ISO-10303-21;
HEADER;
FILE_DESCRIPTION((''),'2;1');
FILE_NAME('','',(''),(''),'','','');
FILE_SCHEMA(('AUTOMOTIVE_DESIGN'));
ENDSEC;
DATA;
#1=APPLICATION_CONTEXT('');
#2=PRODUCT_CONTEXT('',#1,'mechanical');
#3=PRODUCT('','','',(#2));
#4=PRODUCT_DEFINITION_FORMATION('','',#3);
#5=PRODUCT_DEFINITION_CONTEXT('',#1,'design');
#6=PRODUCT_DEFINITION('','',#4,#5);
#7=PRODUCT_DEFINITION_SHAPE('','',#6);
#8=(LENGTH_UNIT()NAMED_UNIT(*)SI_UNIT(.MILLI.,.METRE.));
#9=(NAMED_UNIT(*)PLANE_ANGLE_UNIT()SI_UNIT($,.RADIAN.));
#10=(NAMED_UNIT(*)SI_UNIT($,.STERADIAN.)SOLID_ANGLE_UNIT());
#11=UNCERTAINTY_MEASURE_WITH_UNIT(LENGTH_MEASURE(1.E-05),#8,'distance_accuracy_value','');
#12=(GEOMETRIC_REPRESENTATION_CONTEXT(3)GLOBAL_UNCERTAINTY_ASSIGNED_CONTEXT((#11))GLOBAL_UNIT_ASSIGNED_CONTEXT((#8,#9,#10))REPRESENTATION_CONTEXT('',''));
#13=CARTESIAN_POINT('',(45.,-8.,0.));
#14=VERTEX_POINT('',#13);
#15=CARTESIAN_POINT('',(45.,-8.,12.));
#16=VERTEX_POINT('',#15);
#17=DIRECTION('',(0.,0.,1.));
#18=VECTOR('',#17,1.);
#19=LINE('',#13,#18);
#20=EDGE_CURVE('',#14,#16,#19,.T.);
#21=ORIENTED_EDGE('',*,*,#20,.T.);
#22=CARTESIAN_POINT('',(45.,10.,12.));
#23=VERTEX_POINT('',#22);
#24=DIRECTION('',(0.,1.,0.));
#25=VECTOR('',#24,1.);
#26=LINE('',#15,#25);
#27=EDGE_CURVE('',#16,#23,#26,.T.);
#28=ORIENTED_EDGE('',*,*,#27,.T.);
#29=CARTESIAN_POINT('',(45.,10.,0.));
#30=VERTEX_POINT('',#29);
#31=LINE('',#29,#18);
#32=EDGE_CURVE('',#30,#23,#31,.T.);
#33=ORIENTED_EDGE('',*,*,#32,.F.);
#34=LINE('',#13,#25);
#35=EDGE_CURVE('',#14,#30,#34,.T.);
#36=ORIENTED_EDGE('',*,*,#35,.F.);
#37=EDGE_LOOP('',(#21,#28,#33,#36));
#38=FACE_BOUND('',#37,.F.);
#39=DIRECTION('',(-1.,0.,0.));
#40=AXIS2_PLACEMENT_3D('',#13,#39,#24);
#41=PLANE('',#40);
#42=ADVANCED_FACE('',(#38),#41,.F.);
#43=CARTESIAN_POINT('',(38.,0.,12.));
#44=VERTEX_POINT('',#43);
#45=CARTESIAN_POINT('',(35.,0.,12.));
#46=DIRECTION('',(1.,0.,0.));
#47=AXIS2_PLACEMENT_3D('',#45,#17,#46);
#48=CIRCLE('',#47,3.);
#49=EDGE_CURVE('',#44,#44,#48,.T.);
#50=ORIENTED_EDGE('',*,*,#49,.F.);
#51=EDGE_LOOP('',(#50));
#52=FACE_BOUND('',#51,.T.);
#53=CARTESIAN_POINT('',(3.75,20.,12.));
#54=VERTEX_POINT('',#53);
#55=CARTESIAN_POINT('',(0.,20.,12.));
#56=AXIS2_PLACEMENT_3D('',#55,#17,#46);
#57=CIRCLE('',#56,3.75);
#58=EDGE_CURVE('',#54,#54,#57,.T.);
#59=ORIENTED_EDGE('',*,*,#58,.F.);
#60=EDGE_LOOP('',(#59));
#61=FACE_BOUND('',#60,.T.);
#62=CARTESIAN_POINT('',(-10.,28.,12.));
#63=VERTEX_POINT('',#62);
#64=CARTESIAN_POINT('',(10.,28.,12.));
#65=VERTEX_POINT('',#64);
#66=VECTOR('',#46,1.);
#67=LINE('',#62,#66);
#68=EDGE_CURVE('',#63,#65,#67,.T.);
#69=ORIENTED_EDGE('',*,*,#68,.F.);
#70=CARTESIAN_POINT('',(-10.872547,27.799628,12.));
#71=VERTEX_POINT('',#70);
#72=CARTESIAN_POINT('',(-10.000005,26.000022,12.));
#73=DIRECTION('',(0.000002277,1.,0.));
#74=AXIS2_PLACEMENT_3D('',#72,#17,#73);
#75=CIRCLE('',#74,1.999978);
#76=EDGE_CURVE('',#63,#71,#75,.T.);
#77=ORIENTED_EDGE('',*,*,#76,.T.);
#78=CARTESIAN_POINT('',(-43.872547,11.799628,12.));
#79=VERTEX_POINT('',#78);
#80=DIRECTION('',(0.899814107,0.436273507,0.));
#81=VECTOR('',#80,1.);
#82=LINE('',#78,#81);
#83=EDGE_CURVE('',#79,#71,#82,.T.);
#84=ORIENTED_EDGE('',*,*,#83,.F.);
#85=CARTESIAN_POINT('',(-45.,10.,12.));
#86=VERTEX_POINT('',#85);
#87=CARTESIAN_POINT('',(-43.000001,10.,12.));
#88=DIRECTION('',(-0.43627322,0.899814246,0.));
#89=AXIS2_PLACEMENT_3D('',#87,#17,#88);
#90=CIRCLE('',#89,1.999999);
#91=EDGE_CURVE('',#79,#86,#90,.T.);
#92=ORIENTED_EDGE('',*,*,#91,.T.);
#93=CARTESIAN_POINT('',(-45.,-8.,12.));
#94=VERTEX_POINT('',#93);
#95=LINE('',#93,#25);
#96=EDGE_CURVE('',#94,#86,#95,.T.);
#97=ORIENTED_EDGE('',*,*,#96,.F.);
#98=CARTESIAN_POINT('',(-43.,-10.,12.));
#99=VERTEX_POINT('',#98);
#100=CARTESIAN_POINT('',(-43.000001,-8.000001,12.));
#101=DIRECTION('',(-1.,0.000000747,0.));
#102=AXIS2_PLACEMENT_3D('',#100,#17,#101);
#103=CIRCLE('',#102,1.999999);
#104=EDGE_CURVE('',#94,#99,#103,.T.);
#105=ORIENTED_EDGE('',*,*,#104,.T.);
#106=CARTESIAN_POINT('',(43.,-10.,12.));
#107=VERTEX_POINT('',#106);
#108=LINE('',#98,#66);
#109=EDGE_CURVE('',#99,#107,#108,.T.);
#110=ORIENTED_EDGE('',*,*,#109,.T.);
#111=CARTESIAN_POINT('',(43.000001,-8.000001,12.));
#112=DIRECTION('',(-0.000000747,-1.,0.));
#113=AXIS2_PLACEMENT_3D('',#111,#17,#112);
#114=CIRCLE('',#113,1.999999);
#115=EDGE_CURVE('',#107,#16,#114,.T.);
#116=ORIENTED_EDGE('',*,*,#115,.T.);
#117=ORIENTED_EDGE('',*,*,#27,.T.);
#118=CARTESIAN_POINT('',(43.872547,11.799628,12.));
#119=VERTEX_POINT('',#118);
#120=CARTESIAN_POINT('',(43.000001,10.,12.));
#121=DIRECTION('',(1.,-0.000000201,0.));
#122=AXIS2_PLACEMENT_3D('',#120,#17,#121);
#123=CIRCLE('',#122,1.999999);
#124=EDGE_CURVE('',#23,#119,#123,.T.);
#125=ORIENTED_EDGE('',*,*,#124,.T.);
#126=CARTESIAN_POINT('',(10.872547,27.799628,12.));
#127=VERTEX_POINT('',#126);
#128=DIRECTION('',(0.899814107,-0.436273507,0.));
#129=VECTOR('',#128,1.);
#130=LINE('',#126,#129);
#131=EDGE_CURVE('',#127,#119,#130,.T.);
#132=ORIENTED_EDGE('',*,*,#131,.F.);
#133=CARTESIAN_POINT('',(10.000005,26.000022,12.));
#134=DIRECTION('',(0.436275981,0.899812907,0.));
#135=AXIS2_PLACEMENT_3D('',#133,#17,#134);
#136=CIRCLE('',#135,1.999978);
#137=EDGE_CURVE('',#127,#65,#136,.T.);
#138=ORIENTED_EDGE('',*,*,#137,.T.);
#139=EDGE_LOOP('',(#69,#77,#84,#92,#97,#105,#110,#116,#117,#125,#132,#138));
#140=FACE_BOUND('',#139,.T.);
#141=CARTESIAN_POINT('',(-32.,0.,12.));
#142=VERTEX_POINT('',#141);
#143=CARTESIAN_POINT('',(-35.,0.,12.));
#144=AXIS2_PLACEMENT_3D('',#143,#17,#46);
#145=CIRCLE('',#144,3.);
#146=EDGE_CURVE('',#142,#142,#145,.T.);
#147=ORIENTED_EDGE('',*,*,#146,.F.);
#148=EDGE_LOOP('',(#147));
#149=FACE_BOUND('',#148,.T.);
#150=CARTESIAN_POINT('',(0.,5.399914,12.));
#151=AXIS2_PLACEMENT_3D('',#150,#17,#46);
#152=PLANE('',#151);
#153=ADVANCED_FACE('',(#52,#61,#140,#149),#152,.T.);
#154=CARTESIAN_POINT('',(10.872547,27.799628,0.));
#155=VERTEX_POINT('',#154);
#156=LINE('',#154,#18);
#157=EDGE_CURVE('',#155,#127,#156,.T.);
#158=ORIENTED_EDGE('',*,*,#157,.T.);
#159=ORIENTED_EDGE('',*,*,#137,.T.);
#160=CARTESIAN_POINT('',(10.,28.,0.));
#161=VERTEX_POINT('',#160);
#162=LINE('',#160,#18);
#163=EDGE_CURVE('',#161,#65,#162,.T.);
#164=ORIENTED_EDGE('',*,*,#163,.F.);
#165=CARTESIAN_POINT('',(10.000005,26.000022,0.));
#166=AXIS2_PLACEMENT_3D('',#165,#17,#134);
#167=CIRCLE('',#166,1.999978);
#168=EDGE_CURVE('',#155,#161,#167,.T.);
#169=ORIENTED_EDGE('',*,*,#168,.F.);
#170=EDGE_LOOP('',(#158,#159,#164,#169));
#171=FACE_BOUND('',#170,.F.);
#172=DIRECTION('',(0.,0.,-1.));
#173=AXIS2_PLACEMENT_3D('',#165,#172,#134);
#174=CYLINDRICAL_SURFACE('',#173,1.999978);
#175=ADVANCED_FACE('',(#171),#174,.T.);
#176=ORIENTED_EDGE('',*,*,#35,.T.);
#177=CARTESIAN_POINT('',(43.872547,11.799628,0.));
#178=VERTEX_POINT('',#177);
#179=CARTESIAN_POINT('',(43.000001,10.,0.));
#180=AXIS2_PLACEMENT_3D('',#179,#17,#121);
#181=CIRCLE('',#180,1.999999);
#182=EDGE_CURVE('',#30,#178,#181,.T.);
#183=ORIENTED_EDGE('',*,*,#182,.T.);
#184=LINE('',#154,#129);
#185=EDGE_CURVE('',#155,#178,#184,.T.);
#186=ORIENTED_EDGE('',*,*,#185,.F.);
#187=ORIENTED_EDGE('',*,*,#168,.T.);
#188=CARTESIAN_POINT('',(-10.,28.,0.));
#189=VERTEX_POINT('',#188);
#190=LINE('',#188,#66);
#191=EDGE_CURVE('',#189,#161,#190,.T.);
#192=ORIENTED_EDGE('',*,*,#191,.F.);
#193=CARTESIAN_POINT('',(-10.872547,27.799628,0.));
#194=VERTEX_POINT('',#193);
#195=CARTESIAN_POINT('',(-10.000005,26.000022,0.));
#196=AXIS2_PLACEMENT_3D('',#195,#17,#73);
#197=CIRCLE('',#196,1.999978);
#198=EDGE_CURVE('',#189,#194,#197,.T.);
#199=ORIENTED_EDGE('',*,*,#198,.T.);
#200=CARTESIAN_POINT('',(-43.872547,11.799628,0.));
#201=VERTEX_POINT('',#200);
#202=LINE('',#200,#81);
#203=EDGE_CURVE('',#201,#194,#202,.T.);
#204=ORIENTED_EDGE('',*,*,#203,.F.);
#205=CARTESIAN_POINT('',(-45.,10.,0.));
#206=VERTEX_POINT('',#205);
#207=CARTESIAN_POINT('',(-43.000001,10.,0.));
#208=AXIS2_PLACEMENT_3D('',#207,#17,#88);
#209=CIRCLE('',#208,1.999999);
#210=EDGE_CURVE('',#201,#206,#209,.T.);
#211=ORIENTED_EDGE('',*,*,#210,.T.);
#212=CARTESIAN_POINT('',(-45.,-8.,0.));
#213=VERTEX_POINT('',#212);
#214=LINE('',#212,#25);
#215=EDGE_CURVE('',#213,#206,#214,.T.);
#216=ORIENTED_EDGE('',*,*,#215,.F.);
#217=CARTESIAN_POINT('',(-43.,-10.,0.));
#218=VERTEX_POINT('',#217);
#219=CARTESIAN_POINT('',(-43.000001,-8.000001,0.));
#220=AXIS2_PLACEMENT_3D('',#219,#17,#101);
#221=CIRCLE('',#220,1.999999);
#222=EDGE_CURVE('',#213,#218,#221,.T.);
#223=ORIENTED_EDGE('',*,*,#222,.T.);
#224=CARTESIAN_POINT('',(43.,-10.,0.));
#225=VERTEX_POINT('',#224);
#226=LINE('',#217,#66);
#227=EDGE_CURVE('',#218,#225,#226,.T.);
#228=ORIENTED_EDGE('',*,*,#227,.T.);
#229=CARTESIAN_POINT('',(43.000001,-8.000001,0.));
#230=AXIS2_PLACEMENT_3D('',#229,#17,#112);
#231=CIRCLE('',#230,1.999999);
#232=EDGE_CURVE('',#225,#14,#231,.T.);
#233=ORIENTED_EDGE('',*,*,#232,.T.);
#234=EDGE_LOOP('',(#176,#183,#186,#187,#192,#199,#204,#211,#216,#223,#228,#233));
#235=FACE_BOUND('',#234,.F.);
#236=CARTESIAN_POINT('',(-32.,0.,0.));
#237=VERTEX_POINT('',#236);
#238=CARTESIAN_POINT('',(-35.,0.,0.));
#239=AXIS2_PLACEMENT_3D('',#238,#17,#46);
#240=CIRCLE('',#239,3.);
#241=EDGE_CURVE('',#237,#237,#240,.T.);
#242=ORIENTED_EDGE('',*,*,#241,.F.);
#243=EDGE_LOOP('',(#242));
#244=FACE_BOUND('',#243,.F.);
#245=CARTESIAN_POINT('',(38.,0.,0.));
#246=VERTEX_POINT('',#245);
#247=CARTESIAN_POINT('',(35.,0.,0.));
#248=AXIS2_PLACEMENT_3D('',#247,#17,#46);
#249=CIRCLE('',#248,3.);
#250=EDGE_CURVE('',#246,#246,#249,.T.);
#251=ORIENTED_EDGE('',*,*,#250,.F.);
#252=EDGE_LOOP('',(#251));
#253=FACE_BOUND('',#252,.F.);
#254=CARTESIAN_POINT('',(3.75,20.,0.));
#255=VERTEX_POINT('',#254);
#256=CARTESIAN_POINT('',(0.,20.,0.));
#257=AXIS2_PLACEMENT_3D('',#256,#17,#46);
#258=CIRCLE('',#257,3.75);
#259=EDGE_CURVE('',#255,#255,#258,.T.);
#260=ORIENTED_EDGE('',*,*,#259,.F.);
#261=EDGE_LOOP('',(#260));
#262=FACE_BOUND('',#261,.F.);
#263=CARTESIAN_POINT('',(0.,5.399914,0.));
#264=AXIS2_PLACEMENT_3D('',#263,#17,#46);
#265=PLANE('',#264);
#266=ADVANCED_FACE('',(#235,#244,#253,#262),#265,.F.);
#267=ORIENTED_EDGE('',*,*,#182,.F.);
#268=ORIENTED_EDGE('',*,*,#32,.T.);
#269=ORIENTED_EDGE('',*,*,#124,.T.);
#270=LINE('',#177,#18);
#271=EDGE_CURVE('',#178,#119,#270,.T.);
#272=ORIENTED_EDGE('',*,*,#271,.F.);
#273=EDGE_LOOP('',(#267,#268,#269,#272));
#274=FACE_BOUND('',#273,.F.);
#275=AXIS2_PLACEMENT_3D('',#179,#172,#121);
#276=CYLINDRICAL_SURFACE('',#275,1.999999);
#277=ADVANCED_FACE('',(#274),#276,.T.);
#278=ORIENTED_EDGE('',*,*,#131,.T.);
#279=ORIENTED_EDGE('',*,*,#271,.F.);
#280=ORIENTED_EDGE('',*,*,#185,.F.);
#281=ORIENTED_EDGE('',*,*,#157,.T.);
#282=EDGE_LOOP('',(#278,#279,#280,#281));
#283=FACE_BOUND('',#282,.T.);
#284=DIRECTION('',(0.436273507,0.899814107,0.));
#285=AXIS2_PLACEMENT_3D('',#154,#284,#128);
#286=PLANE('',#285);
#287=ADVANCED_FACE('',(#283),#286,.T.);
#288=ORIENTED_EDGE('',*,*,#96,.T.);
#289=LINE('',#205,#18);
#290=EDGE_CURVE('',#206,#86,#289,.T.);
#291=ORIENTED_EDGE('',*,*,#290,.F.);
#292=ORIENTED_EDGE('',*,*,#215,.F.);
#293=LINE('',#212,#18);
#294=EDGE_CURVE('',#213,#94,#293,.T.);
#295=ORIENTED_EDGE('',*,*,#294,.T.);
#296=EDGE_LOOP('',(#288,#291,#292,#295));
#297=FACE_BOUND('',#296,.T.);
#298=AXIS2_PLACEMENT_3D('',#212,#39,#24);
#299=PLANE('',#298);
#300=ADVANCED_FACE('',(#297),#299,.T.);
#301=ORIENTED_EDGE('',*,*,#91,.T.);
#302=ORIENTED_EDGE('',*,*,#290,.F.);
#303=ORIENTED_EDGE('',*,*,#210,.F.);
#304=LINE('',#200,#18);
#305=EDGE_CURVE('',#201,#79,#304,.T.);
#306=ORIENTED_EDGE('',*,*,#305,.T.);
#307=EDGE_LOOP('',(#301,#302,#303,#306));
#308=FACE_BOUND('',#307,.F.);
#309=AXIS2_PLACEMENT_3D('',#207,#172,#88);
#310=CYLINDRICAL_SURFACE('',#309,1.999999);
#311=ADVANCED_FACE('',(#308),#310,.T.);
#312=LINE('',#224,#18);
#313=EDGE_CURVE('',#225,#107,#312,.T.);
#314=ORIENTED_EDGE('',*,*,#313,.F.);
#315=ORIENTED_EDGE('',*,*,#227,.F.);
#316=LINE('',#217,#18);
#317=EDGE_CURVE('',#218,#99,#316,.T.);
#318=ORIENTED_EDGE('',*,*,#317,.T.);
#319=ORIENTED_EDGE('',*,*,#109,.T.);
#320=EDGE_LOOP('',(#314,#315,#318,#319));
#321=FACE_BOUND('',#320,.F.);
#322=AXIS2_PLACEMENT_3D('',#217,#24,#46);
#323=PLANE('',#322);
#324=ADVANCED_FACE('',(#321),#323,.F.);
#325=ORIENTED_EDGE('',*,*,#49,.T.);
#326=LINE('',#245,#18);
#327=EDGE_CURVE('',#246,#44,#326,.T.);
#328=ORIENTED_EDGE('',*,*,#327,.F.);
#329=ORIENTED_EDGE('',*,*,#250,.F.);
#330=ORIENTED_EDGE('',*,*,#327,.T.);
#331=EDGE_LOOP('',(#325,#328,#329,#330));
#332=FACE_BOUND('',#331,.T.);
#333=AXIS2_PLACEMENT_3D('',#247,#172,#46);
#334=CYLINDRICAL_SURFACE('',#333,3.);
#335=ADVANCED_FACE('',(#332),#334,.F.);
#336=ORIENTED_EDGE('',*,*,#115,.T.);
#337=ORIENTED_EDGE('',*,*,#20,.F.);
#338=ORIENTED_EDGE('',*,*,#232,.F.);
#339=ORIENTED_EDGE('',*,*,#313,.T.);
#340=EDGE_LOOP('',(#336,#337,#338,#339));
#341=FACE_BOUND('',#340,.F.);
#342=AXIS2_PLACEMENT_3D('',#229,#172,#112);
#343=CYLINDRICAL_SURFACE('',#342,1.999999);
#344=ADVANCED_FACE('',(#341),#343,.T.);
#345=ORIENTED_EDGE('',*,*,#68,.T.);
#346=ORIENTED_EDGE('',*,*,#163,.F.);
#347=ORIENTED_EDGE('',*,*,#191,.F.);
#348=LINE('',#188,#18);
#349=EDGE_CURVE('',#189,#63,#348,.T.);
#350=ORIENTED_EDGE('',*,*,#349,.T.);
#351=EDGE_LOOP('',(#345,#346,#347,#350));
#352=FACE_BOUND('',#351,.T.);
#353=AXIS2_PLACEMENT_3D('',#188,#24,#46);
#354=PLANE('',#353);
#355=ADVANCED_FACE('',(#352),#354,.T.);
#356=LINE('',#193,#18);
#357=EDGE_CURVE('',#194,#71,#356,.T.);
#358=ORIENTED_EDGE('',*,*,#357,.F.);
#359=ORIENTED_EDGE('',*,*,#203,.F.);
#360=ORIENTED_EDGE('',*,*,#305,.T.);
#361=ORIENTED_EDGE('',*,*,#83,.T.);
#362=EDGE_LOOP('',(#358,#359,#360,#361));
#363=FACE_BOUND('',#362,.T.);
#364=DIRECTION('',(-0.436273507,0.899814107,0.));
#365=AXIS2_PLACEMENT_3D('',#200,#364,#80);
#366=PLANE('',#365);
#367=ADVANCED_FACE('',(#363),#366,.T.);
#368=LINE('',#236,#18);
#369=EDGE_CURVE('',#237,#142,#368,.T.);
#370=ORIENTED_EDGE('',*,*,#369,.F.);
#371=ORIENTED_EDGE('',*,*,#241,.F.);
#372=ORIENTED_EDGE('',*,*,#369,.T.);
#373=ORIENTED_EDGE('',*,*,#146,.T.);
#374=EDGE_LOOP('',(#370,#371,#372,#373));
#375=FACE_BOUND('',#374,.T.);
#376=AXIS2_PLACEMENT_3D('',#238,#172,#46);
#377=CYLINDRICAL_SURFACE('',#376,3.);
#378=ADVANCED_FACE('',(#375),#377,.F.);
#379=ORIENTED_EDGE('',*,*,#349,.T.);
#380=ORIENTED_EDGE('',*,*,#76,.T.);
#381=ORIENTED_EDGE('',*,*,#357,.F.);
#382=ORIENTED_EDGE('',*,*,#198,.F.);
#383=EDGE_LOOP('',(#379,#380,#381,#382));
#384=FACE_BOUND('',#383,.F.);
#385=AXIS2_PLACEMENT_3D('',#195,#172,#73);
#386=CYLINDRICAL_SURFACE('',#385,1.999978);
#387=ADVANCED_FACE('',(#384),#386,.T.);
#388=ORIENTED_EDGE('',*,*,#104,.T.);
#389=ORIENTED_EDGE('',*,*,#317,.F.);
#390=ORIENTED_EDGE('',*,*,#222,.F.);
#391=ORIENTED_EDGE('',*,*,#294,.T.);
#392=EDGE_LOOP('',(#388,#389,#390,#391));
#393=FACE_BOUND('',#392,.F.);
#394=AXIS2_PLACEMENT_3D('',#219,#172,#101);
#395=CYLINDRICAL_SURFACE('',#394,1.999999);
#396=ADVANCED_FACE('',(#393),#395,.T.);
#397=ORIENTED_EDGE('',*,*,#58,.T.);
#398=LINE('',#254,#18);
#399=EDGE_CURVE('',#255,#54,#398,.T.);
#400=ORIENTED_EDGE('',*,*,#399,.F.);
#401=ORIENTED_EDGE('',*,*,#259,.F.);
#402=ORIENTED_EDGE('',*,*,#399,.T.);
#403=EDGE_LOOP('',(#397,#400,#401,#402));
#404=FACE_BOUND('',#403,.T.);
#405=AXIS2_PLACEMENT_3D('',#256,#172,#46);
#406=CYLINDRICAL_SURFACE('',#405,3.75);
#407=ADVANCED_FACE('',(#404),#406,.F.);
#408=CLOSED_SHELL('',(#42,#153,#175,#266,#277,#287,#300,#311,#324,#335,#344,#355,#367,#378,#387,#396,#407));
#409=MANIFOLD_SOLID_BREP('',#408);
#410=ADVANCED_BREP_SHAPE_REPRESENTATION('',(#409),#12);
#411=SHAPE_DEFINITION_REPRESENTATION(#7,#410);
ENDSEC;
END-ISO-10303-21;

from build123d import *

# Parameters (mm, degrees)
SKETCH_R   = 3
SKETCH_R_2 = 3.75
PAD_DEPTH  = 12


with BuildPart() as part:
    # Sketch → Pad (new body)
    with BuildSketch(Plane.XY):
        with BuildLine():
            Line((-43, -10), (43, -10))
            ThreePointArc((43, -10), (44.414214, -9.414214), (45, -8))
            Line((45, -8), (45, 10))
            ThreePointArc((45, 10), (44.694859, 11.061816), (43.872547, 11.799628))
            Line((10.872547, 27.799628), (43.872547, 11.799628))
            ThreePointArc((10.872547, 27.799628), (10.447629, 27.949264), (10, 28))
            Line((-10, 28), (10, 28))
            ThreePointArc((-10, 28), (-10.447629, 27.949264), (-10.872547, 27.799628))
            Line((-43.872547, 11.799628), (-10.872547, 27.799628))
            ThreePointArc((-43.872547, 11.799628), (-44.694859, 11.061816), (-45, 10))
            Line((-45, -8), (-45, 10))
            ThreePointArc((-45, -8), (-44.414214, -9.414214), (-43, -10))
        make_face()
        with Locations((-35, 0)):
            Circle(SKETCH_R, mode=Mode.SUBTRACT)
        with Locations((35, 0)):
            Circle(SKETCH_R, mode=Mode.SUBTRACT)
        with Locations((0, 20)):
            Circle(SKETCH_R_2, mode=Mode.SUBTRACT)
    extrude(amount=PAD_DEPTH)


solid = part.part
